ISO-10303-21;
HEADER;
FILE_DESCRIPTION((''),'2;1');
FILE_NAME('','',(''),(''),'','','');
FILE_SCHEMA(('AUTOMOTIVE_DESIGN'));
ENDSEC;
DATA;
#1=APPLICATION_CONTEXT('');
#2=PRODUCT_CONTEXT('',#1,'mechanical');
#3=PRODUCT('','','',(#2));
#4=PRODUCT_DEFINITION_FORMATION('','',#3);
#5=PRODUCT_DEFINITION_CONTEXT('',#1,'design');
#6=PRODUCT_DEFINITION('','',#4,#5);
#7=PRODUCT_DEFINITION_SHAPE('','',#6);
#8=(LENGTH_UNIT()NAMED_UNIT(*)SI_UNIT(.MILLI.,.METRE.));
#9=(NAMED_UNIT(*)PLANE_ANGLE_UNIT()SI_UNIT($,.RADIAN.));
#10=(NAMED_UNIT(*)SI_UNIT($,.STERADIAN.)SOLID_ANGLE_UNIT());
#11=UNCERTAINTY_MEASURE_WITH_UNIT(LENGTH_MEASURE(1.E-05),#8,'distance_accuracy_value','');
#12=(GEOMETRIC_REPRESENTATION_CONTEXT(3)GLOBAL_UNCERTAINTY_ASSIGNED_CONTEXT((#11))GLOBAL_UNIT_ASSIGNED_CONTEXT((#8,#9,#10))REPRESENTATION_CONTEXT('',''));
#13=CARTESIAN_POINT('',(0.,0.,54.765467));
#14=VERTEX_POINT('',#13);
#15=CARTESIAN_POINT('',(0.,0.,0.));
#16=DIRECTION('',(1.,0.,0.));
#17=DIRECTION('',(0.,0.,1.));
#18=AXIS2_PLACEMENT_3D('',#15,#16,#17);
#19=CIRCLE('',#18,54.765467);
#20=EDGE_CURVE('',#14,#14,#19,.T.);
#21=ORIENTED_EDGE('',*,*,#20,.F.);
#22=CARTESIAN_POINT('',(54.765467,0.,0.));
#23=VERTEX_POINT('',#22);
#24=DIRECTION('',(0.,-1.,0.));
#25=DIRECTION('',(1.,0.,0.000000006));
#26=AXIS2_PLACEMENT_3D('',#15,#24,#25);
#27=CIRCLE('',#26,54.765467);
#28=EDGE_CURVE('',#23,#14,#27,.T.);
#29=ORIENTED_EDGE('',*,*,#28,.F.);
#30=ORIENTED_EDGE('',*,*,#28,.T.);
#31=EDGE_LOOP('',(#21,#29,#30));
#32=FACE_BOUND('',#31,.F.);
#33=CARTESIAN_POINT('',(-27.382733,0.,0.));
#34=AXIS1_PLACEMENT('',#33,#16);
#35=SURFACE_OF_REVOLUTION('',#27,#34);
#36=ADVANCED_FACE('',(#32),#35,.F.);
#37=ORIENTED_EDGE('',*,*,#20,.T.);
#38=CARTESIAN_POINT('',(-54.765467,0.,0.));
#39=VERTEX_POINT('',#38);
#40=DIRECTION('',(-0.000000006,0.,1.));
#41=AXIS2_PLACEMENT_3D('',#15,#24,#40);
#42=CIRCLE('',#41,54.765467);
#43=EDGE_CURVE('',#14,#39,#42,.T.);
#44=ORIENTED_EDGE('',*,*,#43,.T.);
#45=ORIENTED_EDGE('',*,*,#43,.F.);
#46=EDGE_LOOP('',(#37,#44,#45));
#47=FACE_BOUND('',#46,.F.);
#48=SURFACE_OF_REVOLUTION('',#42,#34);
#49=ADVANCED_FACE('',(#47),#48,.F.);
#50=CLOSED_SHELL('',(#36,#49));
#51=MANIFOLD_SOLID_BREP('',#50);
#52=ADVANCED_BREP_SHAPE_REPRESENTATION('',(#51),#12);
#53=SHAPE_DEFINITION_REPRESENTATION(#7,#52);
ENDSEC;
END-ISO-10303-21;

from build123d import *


with BuildPart() as f1:
    # F0 (on Front) → F1 (revolve)
    with BuildSketch(Plane.XZ):
        with BuildLine():
            Line((0, 0), (54.765467, 0))
            ThreePointArc((54.765467, 0), (38.725033, 38.725033), (0, 54.765467))
            ThreePointArc((0, 54.765467), (-38.725033, 38.725033), (-54.765467, 0))
            Line((-54.765467, 0), (0, 0))
        make_face()
    revolve(axis=Axis((-27.382733, 0, 0), (1, 0, 0)))


solid = f1.part
